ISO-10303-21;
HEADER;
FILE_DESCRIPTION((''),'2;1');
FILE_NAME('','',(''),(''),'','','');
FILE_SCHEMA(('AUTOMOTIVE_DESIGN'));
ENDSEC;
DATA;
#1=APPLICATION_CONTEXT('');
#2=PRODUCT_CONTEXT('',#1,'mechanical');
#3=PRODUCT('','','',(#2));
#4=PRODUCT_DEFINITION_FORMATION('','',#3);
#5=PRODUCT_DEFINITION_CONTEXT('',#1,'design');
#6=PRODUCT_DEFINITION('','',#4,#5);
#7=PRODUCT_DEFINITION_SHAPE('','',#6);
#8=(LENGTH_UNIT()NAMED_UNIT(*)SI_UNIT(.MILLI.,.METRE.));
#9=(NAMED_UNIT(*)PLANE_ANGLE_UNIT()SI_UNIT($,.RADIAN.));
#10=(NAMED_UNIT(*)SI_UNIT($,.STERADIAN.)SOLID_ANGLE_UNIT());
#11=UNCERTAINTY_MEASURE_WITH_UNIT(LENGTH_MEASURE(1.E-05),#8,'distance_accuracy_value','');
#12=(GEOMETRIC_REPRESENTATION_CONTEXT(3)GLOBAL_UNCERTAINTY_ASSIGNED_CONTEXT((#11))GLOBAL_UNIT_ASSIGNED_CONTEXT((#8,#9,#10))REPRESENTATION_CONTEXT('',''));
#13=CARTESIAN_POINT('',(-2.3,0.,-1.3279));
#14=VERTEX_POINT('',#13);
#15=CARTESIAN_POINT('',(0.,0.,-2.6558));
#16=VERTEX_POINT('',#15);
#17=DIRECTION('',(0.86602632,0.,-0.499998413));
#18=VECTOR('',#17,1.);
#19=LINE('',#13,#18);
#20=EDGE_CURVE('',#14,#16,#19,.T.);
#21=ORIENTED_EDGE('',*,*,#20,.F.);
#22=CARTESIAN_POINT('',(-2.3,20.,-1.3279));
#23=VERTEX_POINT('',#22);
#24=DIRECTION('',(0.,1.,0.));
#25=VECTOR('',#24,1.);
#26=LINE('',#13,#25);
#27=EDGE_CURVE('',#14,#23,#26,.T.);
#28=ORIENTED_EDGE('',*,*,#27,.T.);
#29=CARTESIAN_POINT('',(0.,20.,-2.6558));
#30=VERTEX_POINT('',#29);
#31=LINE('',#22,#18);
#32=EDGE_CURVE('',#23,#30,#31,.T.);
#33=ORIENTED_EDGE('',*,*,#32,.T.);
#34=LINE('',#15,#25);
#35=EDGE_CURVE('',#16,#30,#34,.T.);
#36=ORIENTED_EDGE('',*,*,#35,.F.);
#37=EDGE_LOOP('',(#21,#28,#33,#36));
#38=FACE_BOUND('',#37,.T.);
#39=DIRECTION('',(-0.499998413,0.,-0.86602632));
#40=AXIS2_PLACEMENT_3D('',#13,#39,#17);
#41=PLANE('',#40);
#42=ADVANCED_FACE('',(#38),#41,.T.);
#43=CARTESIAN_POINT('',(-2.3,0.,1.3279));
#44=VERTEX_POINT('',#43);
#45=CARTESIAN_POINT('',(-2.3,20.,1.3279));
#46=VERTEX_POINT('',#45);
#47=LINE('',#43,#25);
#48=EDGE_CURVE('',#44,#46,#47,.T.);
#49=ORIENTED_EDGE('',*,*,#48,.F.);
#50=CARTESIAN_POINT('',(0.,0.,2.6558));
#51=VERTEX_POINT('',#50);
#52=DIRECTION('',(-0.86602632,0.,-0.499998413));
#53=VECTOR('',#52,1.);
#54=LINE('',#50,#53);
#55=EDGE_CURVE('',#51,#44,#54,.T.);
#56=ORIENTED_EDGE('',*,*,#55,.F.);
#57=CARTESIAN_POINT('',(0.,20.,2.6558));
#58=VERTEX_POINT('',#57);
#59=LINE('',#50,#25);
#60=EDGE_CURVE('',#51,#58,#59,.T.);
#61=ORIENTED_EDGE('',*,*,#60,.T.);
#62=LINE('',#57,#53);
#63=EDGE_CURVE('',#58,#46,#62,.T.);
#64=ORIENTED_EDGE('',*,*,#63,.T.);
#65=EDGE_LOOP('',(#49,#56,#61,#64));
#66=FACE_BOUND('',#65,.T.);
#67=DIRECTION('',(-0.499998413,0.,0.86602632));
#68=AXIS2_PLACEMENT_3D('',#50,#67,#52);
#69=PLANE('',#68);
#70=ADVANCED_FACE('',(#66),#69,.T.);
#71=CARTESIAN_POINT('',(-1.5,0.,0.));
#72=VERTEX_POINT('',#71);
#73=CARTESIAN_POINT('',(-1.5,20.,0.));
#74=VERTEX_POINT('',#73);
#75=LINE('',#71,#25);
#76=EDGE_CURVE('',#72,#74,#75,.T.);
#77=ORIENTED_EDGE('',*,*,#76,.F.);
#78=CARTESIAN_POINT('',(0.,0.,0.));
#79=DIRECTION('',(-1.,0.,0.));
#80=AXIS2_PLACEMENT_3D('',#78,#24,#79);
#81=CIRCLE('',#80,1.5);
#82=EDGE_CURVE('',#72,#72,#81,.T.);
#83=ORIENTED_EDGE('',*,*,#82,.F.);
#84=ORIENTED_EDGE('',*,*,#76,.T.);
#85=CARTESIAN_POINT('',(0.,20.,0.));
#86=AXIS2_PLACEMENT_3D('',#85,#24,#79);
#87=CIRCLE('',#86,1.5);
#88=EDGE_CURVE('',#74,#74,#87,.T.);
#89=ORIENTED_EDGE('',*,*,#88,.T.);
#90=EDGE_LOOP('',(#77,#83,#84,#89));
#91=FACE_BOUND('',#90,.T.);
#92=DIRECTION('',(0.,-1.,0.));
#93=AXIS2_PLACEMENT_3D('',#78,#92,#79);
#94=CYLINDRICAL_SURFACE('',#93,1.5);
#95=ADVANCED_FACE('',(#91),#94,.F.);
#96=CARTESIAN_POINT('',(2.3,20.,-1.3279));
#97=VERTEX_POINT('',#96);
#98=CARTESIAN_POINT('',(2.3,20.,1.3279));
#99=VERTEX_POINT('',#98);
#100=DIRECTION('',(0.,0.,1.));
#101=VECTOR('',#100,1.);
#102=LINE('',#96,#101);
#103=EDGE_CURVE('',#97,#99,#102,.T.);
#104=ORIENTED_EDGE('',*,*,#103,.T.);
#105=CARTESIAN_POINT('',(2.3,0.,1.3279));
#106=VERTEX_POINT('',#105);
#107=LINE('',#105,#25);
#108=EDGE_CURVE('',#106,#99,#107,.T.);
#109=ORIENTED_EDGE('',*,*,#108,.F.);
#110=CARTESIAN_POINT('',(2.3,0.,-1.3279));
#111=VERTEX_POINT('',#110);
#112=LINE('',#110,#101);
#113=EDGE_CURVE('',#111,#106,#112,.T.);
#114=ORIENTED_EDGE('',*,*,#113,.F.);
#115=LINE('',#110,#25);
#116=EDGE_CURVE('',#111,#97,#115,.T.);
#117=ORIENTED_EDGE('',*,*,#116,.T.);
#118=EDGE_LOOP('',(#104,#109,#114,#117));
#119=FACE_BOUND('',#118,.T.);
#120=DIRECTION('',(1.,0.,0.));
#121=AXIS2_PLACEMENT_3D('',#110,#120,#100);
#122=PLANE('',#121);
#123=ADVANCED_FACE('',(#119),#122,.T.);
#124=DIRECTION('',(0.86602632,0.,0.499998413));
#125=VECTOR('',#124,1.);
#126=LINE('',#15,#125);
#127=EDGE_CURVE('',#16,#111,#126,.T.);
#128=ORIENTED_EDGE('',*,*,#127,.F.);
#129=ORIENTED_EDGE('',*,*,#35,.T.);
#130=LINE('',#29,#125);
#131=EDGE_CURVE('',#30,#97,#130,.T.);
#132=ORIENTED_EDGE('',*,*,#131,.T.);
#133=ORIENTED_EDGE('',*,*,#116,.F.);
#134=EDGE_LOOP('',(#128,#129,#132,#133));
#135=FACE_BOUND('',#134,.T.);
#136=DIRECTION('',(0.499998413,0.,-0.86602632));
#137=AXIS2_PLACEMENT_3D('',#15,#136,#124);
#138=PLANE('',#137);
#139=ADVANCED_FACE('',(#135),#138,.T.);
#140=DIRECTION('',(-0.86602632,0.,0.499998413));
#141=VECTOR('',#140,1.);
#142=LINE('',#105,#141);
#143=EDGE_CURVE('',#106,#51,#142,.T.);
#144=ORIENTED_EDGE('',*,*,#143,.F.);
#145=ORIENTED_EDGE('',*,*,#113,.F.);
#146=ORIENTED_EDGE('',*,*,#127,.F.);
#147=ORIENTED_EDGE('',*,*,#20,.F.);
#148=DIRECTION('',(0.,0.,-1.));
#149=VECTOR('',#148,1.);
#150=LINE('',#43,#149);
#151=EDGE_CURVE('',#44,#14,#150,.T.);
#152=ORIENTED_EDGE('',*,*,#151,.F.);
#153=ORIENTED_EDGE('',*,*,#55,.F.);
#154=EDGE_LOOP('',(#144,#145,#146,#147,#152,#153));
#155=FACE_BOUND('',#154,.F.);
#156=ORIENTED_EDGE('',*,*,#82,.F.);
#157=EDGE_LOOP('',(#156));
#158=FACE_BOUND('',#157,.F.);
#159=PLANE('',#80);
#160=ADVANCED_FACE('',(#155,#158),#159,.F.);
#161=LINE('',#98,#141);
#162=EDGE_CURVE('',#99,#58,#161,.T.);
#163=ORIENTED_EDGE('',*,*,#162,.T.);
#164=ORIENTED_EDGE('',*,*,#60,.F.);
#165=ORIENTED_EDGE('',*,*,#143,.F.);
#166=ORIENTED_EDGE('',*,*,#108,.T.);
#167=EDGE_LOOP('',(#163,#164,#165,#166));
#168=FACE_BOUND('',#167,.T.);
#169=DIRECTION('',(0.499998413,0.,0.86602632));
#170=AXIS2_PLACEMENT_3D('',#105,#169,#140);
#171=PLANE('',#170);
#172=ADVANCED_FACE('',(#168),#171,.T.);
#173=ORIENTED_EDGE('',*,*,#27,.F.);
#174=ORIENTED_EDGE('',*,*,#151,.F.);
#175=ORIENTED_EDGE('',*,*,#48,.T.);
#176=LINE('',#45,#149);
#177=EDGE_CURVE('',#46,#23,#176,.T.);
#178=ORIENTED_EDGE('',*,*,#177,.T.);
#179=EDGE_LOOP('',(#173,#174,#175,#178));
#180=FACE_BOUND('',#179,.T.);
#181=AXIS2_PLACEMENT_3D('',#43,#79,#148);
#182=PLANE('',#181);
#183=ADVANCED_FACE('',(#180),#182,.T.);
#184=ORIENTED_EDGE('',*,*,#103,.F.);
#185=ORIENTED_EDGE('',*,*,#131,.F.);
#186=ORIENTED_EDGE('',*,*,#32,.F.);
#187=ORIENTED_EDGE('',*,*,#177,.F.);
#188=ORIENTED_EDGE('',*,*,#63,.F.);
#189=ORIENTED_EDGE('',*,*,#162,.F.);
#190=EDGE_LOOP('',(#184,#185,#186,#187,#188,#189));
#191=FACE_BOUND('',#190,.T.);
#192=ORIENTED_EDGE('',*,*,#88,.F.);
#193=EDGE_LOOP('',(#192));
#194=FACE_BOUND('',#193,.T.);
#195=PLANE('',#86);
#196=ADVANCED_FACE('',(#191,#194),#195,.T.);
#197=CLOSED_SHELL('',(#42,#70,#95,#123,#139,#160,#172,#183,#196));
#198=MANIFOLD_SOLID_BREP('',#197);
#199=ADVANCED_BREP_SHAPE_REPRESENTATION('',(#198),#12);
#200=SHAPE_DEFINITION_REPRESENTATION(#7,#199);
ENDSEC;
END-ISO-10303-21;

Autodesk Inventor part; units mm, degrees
ref_plane "YZ Plane" through (0, 0, 0) normal (1, 0, 0) x (0, 1, 0)
ref_plane "XZ Plane" through (0, 0, 0) normal (0, 1, 0) x (-1, 0, 0)
ref_plane "XY Plane" through (0, 0, 0) normal (0, 0, 1) x (1, 0, 0)
sketch "Sketch1" plane through (0, 0, 0) normal (0, 1, 0) x (-1, 0, 0)
  line L0 (0, -2.6558) -> (-2.3, -1.3279)
  line L1 (-2.3, -1.3279) -> (-2.3, 1.3279)
  line L2 (-2.3, 1.3279) -> (0, 2.6558)
  line L3 (0, 2.6558) -> (2.3, 1.3279)
  line L4 (2.3, 1.3279) -> (2.3, -1.3279)
  line L5 (2.3, -1.3279) -> (0, -2.6558)
  circle A0 centre (0, 0) radius 1.5
  dimension "d0" = 4.6
  dimension "d1" = 3
extrude "Extrusion1" add sketch "Sketch1" along normal blind 20
properties part number "standoff_20mm" material "Brass, Soft Yellow"
